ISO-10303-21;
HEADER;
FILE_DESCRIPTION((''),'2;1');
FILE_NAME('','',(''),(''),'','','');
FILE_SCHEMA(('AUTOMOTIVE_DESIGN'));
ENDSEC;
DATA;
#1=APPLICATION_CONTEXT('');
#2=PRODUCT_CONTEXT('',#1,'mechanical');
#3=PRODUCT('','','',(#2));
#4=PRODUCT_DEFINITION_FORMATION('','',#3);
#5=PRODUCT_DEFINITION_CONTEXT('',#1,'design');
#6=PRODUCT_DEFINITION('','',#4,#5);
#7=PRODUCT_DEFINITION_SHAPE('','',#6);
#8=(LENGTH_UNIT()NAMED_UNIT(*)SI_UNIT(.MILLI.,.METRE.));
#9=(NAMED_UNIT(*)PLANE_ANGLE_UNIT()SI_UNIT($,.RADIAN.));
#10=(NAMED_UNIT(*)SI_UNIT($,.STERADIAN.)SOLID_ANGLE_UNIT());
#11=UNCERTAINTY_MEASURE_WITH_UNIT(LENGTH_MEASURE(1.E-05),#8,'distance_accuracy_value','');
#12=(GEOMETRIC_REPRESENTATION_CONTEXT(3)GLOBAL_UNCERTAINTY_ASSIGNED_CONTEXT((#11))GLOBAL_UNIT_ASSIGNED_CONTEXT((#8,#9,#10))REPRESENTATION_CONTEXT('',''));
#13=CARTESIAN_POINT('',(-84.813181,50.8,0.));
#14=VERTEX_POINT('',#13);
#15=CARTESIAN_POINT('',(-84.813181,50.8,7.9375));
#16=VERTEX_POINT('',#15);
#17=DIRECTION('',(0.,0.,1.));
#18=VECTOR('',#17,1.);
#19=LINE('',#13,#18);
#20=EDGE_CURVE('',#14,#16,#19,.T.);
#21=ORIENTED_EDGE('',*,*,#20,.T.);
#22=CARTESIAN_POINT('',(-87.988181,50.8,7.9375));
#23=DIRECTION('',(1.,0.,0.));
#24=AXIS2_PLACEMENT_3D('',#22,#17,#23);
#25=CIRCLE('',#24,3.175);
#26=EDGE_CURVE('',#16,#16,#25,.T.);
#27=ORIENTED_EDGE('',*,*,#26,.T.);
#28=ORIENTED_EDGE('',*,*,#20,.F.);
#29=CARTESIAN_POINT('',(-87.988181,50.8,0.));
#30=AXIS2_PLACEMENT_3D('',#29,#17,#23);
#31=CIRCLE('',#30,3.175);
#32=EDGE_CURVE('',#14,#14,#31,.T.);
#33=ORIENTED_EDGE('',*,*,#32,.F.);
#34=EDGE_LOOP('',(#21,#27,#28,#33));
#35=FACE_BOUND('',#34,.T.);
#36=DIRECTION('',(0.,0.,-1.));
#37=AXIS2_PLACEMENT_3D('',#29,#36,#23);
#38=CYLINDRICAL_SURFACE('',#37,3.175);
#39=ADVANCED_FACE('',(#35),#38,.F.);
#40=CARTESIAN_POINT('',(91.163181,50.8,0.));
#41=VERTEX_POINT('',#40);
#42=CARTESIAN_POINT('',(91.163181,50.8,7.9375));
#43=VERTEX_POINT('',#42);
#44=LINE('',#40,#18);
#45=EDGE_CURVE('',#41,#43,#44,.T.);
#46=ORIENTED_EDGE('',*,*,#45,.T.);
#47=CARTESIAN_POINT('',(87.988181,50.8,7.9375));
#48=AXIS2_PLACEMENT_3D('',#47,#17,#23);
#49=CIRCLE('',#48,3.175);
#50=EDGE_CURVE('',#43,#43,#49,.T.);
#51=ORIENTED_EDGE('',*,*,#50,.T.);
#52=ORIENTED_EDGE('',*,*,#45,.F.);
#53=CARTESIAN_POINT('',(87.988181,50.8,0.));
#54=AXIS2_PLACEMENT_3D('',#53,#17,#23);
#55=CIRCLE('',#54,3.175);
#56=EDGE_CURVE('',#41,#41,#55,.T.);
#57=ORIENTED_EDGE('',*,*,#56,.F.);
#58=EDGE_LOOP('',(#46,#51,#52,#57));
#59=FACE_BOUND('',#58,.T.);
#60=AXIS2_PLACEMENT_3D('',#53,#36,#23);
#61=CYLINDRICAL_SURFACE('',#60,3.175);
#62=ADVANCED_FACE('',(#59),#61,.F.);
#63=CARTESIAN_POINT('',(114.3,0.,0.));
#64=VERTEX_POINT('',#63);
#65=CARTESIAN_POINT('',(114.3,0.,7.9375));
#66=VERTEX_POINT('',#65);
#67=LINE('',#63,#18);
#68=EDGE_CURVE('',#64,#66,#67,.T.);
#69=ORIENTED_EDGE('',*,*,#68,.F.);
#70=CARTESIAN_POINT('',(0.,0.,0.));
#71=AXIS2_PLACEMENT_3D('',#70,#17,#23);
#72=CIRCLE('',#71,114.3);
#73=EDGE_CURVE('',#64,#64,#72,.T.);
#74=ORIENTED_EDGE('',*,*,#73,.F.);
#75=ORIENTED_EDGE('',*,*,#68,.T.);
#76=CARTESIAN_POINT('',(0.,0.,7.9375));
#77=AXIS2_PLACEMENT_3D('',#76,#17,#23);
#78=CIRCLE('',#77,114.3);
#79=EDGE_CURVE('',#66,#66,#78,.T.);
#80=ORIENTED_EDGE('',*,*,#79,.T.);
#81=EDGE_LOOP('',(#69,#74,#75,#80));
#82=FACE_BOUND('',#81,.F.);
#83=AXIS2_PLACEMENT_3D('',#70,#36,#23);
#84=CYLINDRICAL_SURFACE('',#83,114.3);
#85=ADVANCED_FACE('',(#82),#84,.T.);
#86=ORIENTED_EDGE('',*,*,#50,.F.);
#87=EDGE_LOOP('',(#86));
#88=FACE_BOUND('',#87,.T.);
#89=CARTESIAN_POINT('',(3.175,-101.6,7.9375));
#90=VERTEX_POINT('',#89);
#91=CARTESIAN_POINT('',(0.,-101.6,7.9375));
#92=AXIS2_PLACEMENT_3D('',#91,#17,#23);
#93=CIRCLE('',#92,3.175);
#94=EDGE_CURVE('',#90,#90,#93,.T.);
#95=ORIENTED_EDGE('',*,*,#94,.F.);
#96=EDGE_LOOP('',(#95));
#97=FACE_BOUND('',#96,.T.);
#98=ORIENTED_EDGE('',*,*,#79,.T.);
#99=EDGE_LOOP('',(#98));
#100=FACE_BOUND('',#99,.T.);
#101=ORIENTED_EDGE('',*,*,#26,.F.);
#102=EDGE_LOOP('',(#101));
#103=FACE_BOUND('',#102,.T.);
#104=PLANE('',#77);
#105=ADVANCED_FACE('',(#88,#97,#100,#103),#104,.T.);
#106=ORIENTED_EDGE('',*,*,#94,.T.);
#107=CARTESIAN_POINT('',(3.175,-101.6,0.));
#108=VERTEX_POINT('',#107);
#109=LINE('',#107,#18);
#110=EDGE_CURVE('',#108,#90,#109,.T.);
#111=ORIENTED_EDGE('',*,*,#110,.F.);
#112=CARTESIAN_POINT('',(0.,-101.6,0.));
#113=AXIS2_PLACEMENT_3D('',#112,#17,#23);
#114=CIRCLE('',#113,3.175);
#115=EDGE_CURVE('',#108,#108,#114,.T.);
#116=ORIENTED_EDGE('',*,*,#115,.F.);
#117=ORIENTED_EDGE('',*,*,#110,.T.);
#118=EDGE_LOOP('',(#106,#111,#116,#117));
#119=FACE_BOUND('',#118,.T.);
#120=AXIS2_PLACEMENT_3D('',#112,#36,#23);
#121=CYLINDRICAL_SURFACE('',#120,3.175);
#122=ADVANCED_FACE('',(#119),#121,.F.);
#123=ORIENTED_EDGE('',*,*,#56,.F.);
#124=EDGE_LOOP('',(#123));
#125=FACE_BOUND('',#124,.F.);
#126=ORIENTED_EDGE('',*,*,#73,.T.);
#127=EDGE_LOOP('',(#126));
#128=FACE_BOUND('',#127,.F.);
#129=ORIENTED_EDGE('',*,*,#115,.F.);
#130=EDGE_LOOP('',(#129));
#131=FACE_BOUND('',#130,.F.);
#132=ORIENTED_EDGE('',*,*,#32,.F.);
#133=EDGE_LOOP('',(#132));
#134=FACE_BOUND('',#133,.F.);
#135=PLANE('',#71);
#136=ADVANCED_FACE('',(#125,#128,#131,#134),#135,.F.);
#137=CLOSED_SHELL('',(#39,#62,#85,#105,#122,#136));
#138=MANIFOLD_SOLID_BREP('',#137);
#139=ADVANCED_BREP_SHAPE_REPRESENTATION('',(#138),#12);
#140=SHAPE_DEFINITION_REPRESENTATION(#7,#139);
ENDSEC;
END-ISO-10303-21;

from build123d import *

# Parameters (mm, degrees)
F0_R     = 114.3
F0_R_2   = 3.175
F1_DEPTH = 7.9375


with BuildPart() as f1:
    # F0 (on Top) → F1 (new body)
    with BuildSketch(Plane.XY):
        Circle(F0_R)
        with Locations((0, -101.6)):
            Circle(F0_R_2, mode=Mode.SUBTRACT)
        with Locations((-87.988181, 50.8)):
            Circle(F0_R_2, mode=Mode.SUBTRACT)
        with Locations((87.988181, 50.8)):
            Circle(F0_R_2, mode=Mode.SUBTRACT)
    extrude(amount=F1_DEPTH)


solid = f1.part
